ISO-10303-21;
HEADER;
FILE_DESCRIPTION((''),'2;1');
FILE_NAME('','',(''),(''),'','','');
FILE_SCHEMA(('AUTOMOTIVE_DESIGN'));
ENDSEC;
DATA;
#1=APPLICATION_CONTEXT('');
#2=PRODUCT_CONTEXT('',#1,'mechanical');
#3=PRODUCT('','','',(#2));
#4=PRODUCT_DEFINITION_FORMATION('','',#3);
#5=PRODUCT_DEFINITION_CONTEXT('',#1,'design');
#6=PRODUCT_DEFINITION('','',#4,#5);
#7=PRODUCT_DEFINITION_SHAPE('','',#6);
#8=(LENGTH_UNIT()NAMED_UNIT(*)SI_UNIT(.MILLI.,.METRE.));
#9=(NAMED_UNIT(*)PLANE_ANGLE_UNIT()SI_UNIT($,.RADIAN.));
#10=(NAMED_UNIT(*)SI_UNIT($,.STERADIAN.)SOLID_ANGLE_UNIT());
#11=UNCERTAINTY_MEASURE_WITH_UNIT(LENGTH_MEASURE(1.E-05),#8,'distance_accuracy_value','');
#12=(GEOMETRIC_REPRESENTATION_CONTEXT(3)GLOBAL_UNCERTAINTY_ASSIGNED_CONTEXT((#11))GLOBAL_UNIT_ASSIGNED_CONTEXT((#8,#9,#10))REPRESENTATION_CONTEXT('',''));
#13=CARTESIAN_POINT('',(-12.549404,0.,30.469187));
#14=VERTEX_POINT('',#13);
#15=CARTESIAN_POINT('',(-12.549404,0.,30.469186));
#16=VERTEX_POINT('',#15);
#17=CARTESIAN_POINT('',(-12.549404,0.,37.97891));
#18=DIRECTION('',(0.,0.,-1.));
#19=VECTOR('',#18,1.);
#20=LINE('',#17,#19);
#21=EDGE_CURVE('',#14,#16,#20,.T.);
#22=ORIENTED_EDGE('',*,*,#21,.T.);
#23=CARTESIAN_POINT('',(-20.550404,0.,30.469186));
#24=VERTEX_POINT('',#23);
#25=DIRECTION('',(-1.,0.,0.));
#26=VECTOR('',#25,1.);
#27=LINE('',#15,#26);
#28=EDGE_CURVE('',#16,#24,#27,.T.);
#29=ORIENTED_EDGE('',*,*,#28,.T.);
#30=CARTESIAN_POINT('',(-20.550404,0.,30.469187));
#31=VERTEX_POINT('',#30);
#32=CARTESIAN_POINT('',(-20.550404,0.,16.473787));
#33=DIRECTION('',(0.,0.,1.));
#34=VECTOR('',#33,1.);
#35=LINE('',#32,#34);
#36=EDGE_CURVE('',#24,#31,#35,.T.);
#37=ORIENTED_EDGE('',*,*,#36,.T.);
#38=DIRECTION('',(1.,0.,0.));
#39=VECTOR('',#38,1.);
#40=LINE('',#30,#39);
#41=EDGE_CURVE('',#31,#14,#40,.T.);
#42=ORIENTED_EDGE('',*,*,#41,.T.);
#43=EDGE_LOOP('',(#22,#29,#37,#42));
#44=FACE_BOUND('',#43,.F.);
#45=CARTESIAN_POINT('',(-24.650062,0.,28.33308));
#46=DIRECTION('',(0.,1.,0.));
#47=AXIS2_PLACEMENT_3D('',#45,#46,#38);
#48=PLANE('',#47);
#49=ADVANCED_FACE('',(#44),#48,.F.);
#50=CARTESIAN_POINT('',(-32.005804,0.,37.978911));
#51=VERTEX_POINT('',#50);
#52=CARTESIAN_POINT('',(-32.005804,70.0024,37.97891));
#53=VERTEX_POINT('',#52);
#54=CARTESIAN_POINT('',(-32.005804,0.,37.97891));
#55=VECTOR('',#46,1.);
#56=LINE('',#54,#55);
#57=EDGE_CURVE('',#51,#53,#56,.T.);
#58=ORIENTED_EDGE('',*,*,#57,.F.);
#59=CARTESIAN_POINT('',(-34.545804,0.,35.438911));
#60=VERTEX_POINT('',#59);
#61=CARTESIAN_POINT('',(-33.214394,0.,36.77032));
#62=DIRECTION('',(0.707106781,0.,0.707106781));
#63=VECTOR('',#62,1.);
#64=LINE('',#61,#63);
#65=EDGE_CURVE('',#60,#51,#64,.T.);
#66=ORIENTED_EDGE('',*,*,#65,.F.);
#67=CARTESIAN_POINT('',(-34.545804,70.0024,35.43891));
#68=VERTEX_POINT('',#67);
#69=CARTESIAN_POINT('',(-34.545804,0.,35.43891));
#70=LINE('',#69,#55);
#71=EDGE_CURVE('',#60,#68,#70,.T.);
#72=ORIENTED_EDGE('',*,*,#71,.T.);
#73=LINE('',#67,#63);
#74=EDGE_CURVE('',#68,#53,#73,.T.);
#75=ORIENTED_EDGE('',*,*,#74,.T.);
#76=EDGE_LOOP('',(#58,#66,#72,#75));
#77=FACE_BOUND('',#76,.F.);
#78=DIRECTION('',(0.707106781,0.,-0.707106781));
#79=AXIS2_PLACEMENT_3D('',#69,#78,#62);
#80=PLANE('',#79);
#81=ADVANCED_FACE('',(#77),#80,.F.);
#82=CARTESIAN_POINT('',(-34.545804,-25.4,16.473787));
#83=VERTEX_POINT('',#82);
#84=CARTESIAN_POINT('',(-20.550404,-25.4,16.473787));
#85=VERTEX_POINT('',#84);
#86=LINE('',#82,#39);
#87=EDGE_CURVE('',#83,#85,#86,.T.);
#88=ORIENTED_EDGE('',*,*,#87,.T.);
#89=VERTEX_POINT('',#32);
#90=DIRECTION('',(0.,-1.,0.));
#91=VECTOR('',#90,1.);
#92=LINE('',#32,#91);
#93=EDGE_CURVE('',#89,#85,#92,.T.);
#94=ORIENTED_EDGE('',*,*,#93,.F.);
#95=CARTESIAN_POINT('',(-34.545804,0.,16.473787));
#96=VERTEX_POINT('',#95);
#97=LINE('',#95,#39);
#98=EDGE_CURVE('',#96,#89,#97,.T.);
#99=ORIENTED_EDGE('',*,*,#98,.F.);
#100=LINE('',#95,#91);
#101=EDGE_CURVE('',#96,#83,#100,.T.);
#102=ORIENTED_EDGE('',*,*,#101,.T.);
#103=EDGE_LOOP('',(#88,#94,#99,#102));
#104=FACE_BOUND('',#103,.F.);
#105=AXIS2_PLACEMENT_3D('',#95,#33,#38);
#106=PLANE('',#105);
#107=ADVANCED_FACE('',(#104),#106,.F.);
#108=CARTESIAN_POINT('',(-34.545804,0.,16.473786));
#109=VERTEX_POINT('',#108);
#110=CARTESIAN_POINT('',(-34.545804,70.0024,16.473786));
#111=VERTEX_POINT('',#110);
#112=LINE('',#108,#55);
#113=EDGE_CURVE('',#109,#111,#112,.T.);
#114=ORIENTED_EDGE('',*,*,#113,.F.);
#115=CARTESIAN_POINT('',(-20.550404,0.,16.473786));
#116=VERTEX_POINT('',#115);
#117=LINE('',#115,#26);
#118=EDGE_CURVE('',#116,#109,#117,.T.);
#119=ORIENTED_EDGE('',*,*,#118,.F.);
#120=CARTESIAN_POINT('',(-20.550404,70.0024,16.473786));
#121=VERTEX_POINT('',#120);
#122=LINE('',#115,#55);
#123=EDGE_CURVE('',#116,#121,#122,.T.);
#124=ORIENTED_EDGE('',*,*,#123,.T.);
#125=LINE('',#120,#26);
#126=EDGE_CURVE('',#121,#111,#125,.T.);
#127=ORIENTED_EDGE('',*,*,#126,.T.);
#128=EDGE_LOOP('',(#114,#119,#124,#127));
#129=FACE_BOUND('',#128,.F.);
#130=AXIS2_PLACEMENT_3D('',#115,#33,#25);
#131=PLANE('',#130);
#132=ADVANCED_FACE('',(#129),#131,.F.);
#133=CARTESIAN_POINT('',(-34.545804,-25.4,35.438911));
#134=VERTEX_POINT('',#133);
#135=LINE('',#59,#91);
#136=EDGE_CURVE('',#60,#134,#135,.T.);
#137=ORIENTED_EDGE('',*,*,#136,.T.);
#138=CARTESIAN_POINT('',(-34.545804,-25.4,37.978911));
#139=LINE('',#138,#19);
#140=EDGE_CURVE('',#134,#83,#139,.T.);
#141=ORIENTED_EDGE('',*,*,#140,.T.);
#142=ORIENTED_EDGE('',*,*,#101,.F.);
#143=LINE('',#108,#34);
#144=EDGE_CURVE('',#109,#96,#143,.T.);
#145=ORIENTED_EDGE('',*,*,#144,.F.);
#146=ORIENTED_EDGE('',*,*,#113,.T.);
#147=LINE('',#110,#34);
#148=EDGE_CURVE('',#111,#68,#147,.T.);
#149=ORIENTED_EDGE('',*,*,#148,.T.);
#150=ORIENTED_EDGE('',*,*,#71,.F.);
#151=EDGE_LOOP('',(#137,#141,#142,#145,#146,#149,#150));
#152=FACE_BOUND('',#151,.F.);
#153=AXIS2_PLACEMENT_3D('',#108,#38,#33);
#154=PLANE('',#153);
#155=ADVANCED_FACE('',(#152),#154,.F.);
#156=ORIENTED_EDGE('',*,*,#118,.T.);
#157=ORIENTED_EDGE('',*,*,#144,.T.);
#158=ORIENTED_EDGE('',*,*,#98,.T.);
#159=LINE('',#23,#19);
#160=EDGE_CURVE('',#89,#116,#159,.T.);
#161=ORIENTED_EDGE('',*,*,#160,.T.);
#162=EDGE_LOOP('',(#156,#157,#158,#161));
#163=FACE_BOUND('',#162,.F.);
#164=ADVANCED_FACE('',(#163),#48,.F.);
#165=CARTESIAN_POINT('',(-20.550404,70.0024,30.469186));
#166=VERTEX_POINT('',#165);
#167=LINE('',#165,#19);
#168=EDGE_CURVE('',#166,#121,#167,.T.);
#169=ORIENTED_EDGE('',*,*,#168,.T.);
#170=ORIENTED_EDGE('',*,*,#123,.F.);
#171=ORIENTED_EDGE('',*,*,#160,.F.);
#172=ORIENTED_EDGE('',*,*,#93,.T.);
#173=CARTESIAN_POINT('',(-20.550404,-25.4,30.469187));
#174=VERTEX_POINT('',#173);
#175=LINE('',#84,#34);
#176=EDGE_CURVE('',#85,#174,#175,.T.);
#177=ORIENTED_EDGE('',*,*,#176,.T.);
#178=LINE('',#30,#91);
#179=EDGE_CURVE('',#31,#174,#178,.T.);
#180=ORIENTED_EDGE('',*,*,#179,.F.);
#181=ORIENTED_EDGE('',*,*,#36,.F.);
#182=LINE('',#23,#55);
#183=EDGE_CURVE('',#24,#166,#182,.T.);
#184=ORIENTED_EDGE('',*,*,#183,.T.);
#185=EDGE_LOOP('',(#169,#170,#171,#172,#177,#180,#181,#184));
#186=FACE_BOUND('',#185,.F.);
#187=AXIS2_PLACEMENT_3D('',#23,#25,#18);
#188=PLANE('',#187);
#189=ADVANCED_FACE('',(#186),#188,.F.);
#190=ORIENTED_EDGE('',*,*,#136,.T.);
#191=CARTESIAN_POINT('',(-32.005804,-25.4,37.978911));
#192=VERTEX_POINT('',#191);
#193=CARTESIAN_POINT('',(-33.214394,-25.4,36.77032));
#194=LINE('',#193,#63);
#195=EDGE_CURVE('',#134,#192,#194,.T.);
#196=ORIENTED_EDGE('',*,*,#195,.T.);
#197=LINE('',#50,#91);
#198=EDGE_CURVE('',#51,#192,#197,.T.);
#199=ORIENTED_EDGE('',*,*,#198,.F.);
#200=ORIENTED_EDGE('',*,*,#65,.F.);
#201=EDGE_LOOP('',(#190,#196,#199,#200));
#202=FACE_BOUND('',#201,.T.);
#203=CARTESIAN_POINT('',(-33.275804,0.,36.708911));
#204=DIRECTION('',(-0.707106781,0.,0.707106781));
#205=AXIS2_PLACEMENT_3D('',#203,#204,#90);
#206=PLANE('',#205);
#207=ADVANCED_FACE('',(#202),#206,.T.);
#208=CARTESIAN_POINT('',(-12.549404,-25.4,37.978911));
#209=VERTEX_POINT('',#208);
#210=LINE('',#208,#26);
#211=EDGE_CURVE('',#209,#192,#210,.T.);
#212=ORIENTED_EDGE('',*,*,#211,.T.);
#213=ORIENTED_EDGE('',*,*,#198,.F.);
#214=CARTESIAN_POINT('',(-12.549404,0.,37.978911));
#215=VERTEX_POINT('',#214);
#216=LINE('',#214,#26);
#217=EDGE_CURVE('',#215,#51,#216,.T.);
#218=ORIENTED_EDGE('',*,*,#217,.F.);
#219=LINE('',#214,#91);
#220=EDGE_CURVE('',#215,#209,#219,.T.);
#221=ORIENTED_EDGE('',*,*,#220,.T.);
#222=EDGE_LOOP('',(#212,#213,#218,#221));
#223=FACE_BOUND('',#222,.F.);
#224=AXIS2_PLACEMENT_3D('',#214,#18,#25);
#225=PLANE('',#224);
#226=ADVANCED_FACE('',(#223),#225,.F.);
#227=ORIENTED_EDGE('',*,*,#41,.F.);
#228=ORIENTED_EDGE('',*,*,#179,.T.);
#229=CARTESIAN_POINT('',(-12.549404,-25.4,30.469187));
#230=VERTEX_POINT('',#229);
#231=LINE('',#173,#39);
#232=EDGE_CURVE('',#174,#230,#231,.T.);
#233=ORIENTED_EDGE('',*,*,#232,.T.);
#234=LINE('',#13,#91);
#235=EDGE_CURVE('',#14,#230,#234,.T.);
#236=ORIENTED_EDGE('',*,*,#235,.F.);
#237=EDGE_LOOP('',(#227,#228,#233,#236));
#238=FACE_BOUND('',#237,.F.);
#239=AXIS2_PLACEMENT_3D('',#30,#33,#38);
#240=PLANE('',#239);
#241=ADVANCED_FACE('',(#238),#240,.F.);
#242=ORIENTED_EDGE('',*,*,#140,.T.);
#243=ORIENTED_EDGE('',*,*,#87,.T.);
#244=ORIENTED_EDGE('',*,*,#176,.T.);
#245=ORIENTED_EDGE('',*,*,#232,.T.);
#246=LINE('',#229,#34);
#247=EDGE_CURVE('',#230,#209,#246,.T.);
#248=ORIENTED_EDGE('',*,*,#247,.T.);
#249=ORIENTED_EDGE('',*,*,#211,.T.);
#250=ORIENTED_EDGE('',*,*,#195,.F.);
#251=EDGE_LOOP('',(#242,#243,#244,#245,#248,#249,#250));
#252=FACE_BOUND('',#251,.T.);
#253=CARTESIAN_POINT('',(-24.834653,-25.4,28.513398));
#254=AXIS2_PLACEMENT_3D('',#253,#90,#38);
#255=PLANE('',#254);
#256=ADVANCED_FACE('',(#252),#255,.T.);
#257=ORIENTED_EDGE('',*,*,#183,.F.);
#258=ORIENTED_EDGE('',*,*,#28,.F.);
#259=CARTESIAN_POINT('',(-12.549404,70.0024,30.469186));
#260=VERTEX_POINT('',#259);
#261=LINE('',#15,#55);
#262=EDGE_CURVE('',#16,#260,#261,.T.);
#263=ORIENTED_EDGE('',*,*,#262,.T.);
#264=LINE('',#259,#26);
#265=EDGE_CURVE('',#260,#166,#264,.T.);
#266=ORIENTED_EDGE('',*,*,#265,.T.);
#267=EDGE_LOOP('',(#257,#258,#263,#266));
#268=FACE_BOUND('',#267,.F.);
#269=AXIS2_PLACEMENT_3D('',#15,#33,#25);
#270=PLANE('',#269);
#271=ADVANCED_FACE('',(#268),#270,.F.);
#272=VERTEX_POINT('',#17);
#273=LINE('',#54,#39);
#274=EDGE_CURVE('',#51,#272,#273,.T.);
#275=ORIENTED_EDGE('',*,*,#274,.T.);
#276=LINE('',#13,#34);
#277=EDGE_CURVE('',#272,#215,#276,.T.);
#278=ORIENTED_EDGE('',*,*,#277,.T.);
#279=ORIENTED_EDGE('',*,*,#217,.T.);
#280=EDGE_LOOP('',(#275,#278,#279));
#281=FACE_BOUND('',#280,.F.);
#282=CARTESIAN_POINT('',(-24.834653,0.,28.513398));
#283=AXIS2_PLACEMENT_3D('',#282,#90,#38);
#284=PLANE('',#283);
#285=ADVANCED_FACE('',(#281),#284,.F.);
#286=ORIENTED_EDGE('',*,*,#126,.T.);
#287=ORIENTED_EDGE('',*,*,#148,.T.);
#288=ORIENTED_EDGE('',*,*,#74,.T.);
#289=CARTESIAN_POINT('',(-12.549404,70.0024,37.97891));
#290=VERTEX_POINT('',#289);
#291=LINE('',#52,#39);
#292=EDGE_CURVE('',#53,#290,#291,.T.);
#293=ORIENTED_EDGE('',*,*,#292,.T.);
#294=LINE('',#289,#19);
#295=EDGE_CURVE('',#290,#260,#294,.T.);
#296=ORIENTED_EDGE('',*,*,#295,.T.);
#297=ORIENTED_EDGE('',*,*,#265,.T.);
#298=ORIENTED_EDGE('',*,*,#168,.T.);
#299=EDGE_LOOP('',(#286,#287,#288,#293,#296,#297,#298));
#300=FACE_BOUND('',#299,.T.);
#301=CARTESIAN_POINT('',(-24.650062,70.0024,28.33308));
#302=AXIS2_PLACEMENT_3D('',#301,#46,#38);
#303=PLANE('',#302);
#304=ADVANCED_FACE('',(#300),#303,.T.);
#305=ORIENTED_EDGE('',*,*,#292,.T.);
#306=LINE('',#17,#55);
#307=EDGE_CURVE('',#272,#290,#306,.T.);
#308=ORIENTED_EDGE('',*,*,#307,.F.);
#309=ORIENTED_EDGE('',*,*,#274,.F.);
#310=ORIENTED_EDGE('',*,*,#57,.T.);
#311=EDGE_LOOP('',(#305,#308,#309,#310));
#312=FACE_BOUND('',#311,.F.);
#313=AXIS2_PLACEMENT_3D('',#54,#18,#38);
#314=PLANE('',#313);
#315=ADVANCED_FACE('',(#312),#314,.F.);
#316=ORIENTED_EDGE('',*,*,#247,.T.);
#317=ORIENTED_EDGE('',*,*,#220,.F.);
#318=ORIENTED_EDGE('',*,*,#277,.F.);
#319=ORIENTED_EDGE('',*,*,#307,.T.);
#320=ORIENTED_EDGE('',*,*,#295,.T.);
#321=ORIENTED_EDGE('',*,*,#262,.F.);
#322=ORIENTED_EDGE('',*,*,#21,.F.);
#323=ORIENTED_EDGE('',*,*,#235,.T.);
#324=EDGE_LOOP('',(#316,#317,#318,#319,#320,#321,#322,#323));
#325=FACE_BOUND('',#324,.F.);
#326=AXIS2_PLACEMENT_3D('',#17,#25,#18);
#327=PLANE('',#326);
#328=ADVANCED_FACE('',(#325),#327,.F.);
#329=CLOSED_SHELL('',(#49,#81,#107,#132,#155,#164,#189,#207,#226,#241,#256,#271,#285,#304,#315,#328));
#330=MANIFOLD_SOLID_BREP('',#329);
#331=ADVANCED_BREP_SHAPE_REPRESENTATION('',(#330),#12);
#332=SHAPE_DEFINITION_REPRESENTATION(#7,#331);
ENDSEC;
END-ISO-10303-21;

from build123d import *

# Parameters (mm, degrees)
F1_DEPTH = 25.4
F2_SIZE  = 2.54
F3_DEPTH = 70.0024


with BuildPart() as f1:
    # F0 (on Front) → F1 (new body)
    with BuildSketch(Plane.XZ):
        Polygon((-34.545804, 37.978911), (-34.545804, 16.473787), (-20.550404, 16.473787), (-20.550404, 30.469187), (-12.549404, 30.469187), (-12.549404, 37.978911), align=None)
    extrude(amount=F1_DEPTH)

    # F2
    f2_edges = [f1.edges().sort_by_distance(p)[0] for p in [
        (-34.545804, -12.7, 37.978911),
    ]]
    chamfer(f2_edges, length=F2_SIZE)

    # F1_face (on face) → F3 (join)
    with BuildSketch(Plane(origin=(-25.645894, 0, 28.312065), x_dir=(1, 0, 0), z_dir=(0, 1, 0))):
        Polygon((-6.35991, -9.666845), (13.09649, -9.666845), (13.09649, -2.157121), (5.09549, -2.157121), (5.09549, 11.838279), (-8.89991, 11.838279), (-8.89991, -7.126845), align=None)
    extrude(amount=F3_DEPTH)


solid = f1.part
